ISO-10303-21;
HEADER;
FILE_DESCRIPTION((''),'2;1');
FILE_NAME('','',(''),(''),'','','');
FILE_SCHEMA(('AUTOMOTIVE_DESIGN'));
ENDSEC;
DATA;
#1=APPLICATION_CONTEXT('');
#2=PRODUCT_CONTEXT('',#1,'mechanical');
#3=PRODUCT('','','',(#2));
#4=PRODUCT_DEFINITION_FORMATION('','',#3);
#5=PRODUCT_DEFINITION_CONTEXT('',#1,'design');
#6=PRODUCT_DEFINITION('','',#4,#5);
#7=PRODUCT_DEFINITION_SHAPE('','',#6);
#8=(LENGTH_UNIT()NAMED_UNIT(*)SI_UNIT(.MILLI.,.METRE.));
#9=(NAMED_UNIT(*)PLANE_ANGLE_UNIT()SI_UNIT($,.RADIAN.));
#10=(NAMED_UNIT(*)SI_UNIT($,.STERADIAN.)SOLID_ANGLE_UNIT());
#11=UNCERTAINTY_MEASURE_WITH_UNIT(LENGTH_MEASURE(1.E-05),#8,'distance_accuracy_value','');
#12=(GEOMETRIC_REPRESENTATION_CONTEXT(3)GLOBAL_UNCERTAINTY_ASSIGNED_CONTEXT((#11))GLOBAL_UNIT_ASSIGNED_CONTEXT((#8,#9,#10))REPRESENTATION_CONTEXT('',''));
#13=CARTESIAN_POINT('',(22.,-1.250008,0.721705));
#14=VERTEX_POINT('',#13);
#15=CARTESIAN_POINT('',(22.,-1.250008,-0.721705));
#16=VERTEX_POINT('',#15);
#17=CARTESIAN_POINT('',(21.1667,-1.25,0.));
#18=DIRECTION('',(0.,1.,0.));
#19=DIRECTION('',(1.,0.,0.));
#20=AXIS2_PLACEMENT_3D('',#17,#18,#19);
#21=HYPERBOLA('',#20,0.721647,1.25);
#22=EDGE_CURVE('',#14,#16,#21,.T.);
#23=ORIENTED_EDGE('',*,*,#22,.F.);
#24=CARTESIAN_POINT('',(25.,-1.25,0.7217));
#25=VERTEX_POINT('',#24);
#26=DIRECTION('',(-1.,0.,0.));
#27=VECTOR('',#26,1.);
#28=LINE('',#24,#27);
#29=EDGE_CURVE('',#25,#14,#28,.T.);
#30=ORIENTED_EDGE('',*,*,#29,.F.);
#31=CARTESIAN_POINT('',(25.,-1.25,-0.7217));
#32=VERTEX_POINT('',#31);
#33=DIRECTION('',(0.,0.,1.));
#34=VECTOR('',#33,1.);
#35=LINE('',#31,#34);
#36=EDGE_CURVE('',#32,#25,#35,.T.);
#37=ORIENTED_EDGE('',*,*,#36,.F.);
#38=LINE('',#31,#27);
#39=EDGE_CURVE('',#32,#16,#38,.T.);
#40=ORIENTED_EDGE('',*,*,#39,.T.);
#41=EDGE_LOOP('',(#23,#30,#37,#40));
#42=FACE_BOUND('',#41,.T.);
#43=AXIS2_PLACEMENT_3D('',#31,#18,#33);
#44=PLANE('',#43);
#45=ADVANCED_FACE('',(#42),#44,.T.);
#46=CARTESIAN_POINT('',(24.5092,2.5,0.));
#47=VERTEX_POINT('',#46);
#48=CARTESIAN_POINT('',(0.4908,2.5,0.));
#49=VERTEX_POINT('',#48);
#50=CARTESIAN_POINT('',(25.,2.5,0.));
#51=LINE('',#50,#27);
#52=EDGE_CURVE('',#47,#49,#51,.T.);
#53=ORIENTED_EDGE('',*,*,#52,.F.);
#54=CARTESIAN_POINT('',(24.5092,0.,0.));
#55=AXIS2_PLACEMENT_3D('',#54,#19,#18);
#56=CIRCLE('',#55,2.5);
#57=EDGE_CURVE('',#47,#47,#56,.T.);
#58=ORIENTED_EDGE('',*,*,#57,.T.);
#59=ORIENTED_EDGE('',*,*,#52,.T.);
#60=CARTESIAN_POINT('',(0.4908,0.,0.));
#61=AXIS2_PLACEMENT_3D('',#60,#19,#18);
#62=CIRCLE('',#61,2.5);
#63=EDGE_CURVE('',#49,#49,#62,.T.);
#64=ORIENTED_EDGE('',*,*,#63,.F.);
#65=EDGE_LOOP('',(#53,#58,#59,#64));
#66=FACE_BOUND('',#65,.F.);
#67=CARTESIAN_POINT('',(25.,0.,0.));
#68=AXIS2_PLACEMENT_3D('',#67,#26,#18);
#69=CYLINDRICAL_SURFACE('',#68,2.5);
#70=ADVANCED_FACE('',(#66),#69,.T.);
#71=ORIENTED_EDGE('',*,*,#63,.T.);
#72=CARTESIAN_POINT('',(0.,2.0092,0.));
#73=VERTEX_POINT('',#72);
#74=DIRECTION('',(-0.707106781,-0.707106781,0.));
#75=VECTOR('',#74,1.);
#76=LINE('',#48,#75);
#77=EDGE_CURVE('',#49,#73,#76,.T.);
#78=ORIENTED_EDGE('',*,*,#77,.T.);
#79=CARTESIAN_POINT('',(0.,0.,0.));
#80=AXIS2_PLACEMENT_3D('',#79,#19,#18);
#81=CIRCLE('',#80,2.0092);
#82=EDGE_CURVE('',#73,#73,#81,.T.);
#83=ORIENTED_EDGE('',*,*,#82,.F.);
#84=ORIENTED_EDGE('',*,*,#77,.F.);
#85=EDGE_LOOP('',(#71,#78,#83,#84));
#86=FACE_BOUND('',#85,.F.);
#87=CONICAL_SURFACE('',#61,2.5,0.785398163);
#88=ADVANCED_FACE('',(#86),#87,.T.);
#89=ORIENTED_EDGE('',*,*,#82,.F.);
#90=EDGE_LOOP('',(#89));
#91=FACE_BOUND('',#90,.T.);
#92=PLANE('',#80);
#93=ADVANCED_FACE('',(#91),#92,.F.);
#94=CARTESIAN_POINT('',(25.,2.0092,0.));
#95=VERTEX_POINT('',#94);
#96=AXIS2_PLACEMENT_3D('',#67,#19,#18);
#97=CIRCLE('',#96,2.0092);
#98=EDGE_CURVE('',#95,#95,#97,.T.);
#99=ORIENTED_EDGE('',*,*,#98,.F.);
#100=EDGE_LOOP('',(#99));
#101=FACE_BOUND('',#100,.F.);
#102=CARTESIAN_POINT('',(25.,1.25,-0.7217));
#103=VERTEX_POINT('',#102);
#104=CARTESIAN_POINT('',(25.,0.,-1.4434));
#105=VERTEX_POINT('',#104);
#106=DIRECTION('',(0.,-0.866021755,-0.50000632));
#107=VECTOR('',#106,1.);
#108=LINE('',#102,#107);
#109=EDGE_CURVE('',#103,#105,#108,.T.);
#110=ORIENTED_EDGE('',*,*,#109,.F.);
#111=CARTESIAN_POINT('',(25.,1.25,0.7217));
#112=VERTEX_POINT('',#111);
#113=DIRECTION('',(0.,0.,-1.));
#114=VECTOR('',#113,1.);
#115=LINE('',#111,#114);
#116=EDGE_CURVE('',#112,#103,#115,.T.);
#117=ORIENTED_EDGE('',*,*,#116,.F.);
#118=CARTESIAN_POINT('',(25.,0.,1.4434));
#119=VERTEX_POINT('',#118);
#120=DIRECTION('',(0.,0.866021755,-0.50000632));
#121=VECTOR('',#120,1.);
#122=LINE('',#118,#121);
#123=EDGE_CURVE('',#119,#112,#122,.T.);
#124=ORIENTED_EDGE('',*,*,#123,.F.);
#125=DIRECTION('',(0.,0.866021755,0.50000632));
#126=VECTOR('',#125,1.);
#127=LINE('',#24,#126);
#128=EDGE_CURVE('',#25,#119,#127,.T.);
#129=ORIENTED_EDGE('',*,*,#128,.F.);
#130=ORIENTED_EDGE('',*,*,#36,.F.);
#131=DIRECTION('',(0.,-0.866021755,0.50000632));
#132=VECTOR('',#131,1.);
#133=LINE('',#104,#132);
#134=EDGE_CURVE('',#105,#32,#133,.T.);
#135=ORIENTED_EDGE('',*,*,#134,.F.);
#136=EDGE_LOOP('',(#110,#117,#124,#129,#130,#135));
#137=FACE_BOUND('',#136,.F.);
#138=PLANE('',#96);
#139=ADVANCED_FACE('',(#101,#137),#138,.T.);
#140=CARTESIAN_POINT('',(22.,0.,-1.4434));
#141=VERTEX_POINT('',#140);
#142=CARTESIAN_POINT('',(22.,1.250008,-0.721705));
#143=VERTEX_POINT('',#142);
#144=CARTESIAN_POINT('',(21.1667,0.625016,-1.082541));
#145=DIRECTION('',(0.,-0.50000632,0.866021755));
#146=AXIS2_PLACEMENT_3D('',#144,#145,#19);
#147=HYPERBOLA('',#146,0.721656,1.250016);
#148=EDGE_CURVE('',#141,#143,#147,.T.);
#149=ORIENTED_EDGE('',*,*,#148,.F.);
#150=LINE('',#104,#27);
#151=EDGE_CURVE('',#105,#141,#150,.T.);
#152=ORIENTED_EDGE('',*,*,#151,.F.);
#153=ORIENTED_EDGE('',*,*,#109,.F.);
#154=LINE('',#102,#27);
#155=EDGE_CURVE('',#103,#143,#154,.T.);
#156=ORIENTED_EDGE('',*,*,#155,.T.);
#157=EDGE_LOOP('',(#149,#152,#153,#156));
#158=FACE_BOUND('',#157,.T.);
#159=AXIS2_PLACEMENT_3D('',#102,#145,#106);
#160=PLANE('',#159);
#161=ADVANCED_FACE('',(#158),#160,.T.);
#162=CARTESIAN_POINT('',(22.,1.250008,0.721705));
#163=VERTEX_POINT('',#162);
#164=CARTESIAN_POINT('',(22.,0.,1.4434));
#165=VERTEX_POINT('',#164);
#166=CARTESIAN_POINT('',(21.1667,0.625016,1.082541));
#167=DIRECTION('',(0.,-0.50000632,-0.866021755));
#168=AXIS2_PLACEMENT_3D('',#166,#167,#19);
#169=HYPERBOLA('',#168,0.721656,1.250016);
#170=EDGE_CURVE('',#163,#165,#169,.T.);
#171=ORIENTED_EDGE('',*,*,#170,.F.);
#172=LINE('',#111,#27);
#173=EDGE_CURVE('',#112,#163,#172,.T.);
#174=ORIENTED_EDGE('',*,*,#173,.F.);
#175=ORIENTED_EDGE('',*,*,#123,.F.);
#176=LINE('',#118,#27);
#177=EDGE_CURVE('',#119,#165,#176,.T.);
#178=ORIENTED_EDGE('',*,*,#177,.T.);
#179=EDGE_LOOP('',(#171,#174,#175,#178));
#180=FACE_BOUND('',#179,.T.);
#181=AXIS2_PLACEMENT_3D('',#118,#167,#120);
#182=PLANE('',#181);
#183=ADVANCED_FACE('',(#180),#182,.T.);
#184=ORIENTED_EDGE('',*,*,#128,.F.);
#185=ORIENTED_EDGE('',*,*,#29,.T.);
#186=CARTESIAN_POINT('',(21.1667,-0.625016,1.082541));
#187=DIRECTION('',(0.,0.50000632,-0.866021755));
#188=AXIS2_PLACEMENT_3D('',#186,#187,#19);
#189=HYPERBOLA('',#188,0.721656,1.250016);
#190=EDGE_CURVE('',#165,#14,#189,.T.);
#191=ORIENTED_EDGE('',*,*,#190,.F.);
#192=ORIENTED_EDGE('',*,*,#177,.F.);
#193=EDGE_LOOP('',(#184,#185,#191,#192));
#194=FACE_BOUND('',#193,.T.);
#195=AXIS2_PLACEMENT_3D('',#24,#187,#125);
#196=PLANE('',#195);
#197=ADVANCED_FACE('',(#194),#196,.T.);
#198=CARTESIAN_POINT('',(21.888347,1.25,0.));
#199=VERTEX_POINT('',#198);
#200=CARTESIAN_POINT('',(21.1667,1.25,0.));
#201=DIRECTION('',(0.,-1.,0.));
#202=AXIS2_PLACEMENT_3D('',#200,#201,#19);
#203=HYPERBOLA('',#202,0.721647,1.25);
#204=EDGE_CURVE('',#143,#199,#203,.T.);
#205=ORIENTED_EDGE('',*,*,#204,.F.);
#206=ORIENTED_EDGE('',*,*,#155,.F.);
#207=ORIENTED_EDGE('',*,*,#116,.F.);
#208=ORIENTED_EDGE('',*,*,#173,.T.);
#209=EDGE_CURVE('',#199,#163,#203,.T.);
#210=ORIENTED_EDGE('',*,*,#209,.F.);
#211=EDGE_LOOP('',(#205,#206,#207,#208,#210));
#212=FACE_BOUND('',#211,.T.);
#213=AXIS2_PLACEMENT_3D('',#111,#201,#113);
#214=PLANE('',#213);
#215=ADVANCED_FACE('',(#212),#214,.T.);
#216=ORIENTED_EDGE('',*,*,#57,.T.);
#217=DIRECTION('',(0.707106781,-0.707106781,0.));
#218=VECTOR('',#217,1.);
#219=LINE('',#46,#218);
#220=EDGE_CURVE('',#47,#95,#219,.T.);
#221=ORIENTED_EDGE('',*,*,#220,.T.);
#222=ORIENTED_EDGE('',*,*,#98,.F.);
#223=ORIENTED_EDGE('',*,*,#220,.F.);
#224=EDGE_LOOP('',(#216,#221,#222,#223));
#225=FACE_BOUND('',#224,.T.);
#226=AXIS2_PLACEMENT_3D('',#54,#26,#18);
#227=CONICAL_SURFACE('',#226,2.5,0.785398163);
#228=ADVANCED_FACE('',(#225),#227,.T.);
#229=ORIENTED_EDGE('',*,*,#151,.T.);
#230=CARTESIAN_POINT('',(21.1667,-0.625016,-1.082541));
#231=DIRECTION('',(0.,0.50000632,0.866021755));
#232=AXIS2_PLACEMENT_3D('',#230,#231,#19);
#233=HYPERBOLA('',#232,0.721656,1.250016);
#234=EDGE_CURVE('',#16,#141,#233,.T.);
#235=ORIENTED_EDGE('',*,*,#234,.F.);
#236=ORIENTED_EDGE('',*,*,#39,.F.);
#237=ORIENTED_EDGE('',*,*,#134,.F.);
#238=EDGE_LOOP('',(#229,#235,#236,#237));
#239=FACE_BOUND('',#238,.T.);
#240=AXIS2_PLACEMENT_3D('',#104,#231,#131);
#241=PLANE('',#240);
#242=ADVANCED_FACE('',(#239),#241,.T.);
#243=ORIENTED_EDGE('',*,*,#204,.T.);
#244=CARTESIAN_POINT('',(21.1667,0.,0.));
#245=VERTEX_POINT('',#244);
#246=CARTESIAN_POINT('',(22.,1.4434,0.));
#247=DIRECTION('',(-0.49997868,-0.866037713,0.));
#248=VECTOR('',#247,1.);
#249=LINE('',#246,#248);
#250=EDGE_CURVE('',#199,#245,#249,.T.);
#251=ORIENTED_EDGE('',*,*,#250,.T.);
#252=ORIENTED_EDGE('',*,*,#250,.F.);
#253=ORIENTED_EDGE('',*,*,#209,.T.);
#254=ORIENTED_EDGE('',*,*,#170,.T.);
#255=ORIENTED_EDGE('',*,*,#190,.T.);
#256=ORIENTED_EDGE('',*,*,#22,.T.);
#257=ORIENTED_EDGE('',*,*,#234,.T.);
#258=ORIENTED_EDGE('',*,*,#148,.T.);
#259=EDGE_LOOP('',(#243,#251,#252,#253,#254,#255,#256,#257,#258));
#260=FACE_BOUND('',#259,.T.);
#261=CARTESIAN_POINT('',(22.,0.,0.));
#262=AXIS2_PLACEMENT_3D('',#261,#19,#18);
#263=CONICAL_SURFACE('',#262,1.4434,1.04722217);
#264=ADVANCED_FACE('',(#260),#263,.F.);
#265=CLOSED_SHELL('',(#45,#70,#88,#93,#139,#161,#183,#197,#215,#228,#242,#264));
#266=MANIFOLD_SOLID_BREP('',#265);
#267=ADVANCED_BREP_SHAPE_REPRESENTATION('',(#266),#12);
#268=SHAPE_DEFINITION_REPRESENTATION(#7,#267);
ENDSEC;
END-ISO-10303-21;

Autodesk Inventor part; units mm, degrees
ref_plane "YZ Plane" through (0, 0, 0) normal (1, 0, 0) x (0, 1, 0)
ref_plane "XZ Plane" through (0, 0, 0) normal (0, 1, 0) x (-1, 0, 0)
sketch "Sketch1" plane through (0, 0, 0) normal (0, 0, 1) x (1, 0, 0)
  line L0 (0, 0) -> (21.1667, 0)
  line L1 (25, 1.4434) -> (25, 2.5)
  line L2 (25, 2.5) -> (0, 2.5)
  line L3 (25, 1.4434) -> (22, 1.4434)
  line L4 (22, 1.4434) -> (21.1667, 0)
  line L5 (0, -0.5) -> (0, 3) projected
  line L6 (0, 2.5) -> (0, 0)
  dimension "d0" = 3
  dimension "d1" = 60
  dimension "d2" = 5
  dimension "d3" = 2.8868
  dimension "d5" = 25
revolve "Body" add sketch "Sketch1" angle 360 about axis through (0, 0, 0) along (1, 0, 0)
chamfer "Chamfer1" distance 0.4908 angle 45 1 edges at (25, -2.5, 0) measured on face at (25, 2.1236, -0.1994)
sketch "Sketch2" plane through (25, 0, 0) normal (1, 0, 0) x (0, 0, -1)
  circle A0 centre (0, 0) radius 1.4434 projected
  line L0 (-0.7217, 1.25) -> (0.7217, 1.25)
  line L1 (0.7217, 1.25) -> (1.4434, 0)
  line L2 (1.4434, 0) -> (0.7217, -1.25)
  line L3 (0.7217, -1.25) -> (-0.7217, -1.25)
  line L4 (-0.7217, -1.25) -> (-1.4434, 0)
  line L5 (-1.4434, 0) -> (-0.7217, 1.25)
  point P0 (0, 0)
  point P1 (0, 0)
extrude "Slot" add sketch "Sketch2" against normal up to next contours L1 A0 | A0 L2 | L0 A0 | A0 L3 | L5 A0 | A0 L4
thread "Thread" size "M5x0.8" class "6g" standard "ISO Metric profile" length 25
chamfer "Chamfer2" distance 0.4908 angle 45 1 edges at (0, -2.5, 0) measured on face at (8.1697, 2.4919, -0.2012)
ref_plane "Work Plane1" through (12.5, 0, 0) normal (0, 0.5, 0.866) x (1, 0, 0)
equation "\"d7\" = -0.5 * GD1 + 0.5 * NND"
equation "\"d8\" = FAWI"
equation "\"d29\" = -0.5 * GD1 + 0.5 * NND"
equation "\"d11\" = NLG"
equation "\"d13\" = -0.5 * GD1 + 0.5 * NND"
equation "\"d14\" = FAWI"
equation "\"d30\" = -0.5 * GD1 + 0.5 * NND"
equation "\"d0\" = INTI"
equation "\"d2\" = NND"
equation "\"d3\" = 1.1547 * SW"
equation "\"d5\" = NLG"
equation "\"NND\" = 5"
equation "\"NLG\" = 25"
equation "\"INTI\" = 3"
equation "\"FAWI\" = 45deg"
equation "\"SW\" = 2.5"
equation "\"GD1\" = THREADDIA - 1.2269 * PTC"
equation "\"FAWI1\" = 45deg"
equation "\"GUL\" = 0.61345 * PTC"
equation "\"SPD\" = 3.5"
equation "\"SEWI\" = 90deg"
equation "\"TOA\" = 30deg"
equation "\"THREADDIA\" = 5"
equation "\"PTC\" = 0.8"
equation "\"GAL\" = 0.61345 * PTC"
equation "\"E0\" = 1.155 * SW"
properties part number "DIN EN ISO 4026 - M5 x 25" material "Stainless Steel, 440C"
